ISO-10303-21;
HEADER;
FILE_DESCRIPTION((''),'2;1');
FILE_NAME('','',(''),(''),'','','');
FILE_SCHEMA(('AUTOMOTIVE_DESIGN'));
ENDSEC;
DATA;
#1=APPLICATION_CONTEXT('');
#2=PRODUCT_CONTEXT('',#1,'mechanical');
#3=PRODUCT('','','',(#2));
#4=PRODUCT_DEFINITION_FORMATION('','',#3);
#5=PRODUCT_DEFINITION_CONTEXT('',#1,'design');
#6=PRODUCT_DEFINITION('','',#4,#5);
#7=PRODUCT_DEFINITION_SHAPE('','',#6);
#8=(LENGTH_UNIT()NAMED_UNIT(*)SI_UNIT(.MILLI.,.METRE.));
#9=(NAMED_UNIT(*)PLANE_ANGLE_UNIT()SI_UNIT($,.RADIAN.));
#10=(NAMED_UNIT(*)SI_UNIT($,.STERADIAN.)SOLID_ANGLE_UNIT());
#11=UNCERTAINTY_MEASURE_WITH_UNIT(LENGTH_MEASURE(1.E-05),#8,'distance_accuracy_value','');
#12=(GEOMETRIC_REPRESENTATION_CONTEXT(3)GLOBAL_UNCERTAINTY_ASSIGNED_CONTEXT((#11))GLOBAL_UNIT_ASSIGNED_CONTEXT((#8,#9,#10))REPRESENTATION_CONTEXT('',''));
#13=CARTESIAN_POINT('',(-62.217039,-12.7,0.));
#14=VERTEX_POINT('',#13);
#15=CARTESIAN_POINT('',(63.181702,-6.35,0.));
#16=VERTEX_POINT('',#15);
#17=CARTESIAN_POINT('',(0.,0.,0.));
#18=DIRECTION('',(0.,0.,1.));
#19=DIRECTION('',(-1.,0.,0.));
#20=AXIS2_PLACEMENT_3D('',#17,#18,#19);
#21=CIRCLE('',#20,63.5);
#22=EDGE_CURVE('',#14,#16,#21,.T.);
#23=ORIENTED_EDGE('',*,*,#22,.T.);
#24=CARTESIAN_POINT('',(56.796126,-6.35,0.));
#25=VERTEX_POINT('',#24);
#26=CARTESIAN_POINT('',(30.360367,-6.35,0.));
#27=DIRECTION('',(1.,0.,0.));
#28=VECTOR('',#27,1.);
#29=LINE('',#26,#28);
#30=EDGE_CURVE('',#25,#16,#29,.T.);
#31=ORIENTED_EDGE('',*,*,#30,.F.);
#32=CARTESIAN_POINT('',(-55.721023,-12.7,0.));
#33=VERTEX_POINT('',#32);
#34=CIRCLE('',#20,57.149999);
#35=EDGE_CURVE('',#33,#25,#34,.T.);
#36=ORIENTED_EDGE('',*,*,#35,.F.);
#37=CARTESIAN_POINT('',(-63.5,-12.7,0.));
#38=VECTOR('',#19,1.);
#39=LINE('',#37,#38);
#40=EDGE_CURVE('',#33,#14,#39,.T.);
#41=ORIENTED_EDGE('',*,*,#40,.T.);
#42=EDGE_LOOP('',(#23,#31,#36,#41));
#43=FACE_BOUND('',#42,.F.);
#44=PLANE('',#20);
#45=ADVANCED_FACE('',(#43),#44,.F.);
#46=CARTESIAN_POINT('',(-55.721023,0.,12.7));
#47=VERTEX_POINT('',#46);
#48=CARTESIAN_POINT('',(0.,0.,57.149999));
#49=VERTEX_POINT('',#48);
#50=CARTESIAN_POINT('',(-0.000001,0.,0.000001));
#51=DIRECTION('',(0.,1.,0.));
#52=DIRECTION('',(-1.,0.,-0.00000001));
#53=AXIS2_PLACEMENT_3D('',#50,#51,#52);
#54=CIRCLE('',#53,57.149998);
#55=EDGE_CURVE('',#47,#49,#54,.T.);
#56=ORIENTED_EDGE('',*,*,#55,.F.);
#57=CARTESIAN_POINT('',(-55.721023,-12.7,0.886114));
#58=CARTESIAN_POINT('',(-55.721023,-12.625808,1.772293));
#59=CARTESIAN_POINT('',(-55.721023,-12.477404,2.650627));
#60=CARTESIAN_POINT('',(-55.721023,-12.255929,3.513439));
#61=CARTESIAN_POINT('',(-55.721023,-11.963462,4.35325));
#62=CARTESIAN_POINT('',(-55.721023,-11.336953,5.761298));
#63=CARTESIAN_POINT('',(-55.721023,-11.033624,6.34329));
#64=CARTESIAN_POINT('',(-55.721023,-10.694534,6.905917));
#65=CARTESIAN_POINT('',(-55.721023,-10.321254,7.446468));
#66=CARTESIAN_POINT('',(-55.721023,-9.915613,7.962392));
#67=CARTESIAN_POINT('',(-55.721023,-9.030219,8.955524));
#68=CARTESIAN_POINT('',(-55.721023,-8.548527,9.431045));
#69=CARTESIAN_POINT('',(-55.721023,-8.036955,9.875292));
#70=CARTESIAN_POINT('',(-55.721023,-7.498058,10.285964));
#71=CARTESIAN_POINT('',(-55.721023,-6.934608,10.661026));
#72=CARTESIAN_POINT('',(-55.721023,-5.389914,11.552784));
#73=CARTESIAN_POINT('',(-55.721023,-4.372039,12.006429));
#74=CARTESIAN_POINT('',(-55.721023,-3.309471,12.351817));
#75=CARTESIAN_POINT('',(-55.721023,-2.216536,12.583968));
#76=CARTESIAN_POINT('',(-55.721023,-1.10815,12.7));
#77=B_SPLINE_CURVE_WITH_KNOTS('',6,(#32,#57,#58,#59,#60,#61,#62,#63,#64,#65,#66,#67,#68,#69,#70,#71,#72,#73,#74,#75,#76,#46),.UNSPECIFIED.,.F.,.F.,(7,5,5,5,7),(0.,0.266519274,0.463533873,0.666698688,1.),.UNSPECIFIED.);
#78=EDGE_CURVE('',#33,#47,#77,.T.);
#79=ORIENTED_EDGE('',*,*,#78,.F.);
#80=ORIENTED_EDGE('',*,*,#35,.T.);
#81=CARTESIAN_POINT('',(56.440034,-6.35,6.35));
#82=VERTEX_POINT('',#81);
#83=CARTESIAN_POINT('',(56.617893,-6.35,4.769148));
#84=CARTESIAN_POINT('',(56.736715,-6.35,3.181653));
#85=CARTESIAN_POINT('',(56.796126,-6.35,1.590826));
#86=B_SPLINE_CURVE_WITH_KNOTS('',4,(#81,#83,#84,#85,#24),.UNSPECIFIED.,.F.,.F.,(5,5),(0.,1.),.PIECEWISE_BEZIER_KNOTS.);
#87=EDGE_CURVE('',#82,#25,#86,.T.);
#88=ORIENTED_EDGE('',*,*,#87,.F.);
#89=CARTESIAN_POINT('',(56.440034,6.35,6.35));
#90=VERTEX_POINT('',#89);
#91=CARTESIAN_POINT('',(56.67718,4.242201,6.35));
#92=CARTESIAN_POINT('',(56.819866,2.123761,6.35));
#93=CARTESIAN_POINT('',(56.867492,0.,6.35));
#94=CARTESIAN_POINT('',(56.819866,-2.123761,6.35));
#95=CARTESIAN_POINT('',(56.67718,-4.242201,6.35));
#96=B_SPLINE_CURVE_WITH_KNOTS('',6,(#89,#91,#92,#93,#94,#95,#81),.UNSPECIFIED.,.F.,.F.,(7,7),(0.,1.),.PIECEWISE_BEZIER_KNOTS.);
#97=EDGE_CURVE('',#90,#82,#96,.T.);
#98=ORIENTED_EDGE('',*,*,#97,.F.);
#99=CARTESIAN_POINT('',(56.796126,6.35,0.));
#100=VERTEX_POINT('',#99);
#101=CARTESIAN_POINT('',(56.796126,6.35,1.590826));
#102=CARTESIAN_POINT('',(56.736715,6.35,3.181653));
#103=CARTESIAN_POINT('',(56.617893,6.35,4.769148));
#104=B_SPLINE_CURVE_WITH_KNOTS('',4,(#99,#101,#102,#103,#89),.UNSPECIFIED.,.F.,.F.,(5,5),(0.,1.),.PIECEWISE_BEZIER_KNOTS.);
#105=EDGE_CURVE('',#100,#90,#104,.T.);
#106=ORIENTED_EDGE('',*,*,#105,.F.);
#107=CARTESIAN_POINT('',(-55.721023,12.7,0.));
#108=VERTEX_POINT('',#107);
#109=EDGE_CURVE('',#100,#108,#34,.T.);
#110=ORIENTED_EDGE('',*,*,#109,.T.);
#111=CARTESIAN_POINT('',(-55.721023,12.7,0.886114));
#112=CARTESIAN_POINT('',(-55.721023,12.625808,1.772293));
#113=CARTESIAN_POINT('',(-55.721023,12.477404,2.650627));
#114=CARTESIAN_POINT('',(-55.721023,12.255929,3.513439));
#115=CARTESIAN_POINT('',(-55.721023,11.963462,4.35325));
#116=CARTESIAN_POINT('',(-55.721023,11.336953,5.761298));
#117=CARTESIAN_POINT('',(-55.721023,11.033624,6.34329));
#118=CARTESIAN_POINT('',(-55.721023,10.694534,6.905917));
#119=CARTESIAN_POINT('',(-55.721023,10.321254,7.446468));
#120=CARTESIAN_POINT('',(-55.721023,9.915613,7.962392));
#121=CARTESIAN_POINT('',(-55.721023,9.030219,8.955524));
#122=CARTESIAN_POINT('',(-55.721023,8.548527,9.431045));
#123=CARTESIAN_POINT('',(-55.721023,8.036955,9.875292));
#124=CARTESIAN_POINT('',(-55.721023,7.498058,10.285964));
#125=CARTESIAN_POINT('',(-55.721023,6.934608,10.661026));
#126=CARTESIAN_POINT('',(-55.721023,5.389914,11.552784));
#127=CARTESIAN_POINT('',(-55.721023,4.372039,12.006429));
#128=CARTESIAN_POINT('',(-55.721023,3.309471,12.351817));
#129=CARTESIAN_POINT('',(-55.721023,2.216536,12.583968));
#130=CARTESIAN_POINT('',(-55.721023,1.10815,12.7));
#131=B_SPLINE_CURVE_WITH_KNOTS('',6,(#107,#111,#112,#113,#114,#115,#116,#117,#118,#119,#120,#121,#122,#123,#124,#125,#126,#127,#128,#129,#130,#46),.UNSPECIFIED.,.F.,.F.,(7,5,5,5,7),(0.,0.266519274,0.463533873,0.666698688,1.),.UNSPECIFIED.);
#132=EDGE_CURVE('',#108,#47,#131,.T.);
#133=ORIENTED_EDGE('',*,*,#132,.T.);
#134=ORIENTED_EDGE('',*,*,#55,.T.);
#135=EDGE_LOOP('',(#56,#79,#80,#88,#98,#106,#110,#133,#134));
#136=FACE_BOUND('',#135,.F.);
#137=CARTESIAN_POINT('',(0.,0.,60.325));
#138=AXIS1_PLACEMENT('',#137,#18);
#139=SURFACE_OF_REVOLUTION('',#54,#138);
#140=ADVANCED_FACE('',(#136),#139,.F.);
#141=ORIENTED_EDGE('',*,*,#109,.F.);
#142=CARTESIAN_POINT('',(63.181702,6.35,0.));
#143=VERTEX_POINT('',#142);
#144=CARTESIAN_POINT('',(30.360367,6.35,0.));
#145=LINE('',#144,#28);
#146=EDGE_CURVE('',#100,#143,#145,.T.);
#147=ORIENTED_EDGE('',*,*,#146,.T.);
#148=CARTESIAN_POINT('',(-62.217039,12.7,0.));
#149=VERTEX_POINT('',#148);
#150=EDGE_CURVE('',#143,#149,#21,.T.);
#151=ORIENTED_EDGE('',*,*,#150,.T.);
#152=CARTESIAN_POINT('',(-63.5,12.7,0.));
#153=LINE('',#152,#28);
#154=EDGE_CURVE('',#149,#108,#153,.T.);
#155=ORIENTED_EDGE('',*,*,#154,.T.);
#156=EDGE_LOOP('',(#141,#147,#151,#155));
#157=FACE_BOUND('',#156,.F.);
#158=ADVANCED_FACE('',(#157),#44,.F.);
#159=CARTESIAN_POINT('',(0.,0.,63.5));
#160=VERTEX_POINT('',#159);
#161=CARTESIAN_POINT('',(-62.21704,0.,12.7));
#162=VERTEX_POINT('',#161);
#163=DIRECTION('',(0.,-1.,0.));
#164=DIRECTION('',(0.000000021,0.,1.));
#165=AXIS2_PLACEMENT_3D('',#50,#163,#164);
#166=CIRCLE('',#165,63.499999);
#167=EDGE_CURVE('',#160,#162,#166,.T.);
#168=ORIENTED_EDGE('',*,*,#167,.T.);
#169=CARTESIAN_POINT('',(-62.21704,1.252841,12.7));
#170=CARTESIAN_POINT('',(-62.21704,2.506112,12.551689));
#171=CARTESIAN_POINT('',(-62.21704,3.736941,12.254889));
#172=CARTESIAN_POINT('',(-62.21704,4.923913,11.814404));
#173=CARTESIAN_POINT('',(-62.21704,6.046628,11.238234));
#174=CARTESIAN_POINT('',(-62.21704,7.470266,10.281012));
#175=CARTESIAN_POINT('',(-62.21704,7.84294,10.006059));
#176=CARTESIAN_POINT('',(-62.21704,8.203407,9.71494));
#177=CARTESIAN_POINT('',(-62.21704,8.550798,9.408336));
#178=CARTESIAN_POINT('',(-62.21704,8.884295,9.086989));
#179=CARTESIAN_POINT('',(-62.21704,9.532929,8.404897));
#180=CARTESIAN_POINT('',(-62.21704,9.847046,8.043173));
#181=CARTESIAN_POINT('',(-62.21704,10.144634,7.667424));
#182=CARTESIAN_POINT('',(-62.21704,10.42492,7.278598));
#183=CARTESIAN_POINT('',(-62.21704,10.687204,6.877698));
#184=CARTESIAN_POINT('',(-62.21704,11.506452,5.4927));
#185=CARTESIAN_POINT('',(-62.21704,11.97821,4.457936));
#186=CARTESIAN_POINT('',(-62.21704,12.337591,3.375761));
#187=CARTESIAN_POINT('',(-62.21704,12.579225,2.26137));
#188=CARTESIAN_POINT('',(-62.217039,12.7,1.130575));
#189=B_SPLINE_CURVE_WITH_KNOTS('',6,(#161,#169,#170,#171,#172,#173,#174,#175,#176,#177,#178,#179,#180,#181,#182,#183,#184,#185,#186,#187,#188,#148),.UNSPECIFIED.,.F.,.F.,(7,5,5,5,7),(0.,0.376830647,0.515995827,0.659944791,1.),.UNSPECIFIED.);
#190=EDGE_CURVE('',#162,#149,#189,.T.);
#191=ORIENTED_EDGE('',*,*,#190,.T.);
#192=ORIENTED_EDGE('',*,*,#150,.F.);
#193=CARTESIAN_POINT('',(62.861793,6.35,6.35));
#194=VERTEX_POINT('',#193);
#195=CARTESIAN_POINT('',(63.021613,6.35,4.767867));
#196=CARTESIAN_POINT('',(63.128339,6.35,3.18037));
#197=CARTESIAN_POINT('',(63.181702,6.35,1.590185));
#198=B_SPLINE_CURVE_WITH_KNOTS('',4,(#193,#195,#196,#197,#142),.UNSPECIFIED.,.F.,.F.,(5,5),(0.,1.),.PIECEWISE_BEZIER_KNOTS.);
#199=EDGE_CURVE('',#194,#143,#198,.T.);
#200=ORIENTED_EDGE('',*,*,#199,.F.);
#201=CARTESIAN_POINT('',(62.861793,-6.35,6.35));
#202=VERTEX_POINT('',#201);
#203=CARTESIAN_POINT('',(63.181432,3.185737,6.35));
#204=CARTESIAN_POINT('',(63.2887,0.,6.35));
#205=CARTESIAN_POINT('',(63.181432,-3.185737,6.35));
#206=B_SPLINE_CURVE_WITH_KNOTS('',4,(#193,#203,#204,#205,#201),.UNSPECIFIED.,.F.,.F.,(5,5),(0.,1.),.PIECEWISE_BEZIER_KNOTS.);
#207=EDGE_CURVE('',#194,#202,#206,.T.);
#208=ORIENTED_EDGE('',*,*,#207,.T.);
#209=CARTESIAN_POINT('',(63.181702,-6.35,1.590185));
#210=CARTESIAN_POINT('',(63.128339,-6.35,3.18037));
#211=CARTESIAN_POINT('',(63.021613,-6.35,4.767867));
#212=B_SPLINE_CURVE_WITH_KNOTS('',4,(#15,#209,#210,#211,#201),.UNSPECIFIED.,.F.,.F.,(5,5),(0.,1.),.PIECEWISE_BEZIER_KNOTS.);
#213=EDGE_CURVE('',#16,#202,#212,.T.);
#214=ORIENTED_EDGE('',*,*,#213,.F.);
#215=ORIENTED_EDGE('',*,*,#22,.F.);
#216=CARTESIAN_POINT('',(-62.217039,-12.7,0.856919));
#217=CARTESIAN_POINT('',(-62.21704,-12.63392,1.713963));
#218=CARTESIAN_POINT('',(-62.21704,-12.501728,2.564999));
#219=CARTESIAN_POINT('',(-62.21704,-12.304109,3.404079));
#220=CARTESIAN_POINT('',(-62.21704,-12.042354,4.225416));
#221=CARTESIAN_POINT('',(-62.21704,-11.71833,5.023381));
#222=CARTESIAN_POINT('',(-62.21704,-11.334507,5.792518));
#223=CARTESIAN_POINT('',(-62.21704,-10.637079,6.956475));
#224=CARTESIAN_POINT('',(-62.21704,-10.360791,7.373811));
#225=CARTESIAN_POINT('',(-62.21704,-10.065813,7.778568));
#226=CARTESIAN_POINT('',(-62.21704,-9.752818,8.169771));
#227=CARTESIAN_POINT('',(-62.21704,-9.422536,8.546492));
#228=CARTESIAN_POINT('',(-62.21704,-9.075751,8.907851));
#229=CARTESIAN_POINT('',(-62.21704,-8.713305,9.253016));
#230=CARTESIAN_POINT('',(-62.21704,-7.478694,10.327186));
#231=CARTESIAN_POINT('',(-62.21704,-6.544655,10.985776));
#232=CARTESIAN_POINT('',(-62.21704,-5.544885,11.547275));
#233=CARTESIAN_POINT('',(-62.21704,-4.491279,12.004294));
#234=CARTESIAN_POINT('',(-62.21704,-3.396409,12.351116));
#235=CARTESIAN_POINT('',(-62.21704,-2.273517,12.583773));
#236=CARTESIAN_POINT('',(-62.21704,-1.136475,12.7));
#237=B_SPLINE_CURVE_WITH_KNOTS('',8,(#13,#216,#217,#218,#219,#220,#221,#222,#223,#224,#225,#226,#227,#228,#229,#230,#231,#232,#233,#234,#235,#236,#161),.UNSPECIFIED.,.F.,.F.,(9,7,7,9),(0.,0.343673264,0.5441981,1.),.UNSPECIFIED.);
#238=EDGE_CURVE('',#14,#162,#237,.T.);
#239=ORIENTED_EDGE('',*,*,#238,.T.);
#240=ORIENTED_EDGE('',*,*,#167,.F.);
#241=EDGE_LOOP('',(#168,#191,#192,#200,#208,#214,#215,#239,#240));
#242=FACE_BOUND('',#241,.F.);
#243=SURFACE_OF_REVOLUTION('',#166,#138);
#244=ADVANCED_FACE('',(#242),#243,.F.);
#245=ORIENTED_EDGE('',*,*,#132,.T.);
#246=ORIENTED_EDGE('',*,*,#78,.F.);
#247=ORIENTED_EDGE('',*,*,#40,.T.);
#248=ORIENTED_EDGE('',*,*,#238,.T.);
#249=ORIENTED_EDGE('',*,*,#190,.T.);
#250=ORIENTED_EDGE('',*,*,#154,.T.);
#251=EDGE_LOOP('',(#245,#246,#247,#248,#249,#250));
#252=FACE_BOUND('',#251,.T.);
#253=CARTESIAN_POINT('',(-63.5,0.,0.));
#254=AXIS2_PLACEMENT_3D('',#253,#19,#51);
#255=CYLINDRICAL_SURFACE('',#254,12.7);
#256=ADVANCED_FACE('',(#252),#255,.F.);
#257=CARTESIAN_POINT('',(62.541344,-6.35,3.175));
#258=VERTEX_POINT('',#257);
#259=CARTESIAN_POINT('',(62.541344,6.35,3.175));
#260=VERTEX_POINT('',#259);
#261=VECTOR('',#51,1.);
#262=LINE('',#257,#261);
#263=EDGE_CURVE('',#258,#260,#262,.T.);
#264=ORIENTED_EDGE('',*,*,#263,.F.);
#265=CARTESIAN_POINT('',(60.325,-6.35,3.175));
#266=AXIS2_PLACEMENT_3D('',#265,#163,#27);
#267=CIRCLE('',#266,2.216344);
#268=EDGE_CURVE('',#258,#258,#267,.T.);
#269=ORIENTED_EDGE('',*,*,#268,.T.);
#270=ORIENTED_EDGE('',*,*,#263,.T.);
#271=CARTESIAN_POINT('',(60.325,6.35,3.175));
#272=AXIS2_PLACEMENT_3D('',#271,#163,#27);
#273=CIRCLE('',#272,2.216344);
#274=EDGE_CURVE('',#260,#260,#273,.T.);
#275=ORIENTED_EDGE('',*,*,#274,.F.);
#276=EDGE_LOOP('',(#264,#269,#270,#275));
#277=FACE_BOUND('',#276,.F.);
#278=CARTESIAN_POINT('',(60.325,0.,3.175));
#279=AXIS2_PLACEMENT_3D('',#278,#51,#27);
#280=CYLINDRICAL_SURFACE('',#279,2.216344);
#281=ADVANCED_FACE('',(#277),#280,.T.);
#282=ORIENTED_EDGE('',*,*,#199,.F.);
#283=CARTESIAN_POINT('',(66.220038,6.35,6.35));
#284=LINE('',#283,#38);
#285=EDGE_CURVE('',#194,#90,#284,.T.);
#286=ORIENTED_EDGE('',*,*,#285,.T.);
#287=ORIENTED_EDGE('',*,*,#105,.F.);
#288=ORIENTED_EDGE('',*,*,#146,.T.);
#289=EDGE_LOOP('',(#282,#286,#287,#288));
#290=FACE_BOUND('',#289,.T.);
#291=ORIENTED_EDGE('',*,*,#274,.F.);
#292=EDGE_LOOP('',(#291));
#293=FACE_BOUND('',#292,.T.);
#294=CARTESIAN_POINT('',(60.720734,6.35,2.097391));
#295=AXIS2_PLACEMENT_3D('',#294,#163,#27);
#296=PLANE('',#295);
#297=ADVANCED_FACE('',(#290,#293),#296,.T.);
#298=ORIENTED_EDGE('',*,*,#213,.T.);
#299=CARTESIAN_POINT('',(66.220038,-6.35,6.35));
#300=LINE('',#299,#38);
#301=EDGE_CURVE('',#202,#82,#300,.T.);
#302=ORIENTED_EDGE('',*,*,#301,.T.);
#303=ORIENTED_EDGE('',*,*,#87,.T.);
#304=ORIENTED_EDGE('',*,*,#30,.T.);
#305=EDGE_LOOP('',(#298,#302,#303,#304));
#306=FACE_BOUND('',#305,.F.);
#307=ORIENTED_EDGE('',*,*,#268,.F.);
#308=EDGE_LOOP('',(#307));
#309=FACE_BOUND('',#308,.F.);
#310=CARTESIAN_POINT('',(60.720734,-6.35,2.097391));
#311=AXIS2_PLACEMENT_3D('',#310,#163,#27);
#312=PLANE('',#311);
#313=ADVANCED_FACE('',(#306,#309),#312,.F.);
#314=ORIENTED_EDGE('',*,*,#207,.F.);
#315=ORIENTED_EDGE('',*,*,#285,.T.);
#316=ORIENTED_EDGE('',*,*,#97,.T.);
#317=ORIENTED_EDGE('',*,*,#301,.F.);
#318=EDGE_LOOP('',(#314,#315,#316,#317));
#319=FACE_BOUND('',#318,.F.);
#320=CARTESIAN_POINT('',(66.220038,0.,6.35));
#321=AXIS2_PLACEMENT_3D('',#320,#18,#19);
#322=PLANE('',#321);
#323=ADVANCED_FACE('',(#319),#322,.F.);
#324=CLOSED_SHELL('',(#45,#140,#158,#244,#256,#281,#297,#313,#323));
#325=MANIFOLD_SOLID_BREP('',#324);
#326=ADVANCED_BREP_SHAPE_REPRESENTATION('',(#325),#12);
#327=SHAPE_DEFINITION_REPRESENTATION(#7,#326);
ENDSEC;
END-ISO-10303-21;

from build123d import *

# Parameters (mm, degrees)
F2_R     = 2.216344
F3_DEPTH = 6.35
F5_R     = 12.7
F6_DEPTH = 25.4


with BuildPart() as f1:
    # F0 (on Front) → F1 (revolve)
    with BuildSketch(Plane.XZ):
        with BuildLine():
            Line((0, 57.149999), (0, 63.5))
            ThreePointArc((0, 63.5), (-44.901281, 44.901281), (-63.5, 0))
            Line((-63.5, 0), (-57.149999, 0))
            ThreePointArc((-57.149999, 0), (-40.411152, 40.411152), (0, 57.149999))
        make_face()
    revolve(axis=Axis((0, 0, 60.325), (0, 0, 1)))

    # F2 (on Front) → F3 (cut, symmetric)
    with BuildSketch(Plane.XZ):
        Polygon((63.181702, 6.35), (55.221431, 6.35), (55.221431, -2.155218), (66.220038, -2.155218), (66.220038, 6.35), align=None)
        with Locations((60.325, 3.175)):
            Circle(F2_R, mode=Mode.SUBTRACT)
    extrude(amount=F3_DEPTH, both=True, mode=Mode.SUBTRACT)

    # F5 (on offset) → F6 (cut)
    with BuildSketch(Plane.YZ.offset(-63.5)):
        Circle(F5_R)
    extrude(amount=F6_DEPTH, mode=Mode.SUBTRACT)


solid = f1.part
